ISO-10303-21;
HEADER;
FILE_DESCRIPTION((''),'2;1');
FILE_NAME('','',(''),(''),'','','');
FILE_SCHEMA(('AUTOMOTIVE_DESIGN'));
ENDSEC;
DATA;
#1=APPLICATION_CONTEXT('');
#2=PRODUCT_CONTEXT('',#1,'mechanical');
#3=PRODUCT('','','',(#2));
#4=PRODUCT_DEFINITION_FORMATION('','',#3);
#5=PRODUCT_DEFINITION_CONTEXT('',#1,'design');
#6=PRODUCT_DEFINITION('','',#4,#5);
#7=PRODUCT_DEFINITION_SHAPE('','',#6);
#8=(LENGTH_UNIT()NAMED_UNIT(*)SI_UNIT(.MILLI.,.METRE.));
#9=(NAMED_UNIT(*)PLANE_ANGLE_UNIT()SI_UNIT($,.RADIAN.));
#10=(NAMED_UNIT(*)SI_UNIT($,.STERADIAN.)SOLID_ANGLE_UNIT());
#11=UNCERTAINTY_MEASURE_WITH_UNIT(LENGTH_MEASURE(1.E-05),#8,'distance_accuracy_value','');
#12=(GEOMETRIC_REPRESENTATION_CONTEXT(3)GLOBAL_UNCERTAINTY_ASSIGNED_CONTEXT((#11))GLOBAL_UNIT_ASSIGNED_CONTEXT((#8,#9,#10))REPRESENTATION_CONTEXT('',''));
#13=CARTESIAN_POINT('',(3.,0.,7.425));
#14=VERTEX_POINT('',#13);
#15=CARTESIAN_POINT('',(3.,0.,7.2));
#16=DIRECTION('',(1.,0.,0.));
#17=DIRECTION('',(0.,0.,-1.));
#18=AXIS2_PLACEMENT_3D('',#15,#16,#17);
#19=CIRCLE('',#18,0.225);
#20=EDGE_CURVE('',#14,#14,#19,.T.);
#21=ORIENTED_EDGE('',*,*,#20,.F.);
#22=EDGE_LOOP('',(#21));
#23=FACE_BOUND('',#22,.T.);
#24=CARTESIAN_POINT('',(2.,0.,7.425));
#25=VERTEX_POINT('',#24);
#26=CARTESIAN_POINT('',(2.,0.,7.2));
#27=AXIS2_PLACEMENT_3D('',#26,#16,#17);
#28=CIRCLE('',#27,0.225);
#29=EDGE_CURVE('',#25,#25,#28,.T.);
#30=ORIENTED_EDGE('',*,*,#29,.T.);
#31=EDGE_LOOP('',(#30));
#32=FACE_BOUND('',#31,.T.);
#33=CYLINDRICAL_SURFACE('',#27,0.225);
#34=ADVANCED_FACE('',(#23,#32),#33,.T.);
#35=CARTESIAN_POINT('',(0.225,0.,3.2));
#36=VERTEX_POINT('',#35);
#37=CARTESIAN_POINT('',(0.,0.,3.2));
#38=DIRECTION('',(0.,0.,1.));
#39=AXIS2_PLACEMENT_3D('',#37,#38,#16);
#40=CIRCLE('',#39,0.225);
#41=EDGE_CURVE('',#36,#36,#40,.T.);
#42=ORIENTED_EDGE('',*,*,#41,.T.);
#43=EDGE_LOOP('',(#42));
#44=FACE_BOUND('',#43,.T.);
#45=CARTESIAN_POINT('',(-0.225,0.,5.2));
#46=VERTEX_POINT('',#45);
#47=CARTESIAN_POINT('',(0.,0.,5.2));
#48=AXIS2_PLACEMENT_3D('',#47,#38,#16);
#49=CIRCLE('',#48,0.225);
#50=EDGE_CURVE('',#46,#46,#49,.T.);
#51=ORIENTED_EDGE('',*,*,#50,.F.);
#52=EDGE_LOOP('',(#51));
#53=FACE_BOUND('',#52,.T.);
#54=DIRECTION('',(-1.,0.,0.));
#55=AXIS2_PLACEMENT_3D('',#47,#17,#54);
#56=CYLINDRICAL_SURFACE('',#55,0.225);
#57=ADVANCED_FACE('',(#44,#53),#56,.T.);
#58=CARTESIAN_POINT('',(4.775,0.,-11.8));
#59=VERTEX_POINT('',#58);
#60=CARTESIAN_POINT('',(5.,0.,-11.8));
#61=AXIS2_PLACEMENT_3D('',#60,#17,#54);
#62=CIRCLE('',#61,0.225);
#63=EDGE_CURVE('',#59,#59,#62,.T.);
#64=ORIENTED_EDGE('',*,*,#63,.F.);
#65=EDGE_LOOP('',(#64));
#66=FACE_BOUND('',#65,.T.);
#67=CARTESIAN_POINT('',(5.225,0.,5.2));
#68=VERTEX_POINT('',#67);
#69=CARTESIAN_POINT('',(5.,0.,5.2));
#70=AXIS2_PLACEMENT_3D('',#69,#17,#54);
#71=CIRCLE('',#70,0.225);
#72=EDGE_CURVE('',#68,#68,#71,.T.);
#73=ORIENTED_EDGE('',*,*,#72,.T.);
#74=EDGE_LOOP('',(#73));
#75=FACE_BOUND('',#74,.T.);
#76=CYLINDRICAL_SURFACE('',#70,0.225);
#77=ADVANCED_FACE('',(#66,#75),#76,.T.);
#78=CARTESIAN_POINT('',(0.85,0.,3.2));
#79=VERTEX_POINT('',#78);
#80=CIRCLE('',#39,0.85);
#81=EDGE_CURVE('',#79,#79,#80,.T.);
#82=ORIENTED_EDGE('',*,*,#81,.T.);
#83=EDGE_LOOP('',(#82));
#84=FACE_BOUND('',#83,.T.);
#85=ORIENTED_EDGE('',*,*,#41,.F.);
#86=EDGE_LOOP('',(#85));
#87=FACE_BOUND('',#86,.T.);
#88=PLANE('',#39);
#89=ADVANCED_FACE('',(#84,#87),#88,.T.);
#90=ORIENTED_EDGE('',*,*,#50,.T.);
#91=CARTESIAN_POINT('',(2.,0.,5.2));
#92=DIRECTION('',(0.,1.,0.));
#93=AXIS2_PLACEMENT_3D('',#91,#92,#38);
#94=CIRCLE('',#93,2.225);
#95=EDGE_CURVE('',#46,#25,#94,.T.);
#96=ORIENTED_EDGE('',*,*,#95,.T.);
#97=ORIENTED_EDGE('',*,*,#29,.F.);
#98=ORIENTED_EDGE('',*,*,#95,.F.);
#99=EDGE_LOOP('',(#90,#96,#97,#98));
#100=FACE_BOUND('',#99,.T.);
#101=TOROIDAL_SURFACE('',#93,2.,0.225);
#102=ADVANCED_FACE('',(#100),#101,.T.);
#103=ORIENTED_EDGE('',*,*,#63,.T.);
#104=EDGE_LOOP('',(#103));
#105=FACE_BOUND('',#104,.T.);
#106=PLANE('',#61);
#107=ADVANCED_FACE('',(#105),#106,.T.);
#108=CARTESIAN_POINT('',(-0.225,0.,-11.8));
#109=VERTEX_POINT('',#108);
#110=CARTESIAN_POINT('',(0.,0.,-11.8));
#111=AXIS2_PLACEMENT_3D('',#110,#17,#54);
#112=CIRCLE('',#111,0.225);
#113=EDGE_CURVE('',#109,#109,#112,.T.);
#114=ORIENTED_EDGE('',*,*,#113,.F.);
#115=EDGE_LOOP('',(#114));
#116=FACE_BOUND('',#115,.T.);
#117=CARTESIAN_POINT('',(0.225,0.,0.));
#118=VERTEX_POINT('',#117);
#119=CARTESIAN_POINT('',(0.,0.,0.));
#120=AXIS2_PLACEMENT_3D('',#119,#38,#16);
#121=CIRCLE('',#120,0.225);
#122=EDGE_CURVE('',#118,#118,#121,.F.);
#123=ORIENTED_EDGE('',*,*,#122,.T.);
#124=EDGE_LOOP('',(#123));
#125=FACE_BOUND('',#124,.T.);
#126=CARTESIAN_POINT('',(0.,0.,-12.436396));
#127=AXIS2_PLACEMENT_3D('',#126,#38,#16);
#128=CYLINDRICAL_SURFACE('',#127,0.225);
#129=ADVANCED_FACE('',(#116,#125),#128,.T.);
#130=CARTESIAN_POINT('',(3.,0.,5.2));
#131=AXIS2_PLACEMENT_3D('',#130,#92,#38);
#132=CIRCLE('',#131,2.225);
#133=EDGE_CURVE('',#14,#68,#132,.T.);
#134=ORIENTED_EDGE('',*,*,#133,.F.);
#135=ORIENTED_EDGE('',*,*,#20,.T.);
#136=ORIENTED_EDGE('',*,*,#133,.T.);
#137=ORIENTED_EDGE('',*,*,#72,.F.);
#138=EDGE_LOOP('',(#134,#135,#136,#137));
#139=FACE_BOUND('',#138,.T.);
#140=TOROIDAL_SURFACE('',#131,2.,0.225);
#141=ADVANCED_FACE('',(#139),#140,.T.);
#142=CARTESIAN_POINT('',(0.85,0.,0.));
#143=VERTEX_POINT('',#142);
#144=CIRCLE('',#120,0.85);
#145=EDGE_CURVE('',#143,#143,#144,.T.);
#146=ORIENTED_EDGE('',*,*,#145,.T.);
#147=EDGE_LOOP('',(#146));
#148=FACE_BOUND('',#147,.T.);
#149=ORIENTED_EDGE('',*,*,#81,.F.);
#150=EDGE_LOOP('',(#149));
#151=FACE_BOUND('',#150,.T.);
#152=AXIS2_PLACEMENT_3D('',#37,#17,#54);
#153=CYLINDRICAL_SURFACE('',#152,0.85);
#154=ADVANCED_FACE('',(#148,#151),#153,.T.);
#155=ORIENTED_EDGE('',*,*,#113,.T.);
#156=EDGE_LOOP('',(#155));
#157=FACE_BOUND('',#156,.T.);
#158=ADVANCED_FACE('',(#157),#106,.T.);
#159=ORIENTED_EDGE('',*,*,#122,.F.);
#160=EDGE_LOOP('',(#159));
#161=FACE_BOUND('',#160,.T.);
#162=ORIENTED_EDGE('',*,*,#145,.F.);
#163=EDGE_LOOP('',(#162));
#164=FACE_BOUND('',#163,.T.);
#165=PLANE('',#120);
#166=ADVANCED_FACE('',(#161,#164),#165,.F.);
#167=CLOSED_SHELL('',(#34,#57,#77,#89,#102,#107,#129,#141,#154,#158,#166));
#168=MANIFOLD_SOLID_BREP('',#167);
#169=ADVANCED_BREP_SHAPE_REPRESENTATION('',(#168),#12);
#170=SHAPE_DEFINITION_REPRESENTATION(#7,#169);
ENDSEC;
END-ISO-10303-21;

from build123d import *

# Parameters (mm, degrees)
SKETCH2_R           = 0.85
RESISTOR_BODY_DEPTH = 3.2
LEAD1_PROFILE_R     = 0.225
SKETCH6_R           = 0.225
LEAD2_DEPTH         = 11.8


with BuildPart() as part:
    # Sketch2 → Resistor Body (new body)
    with BuildSketch(Plane.XY):
        Circle(SKETCH2_R)
    extrude(amount=RESISTOR_BODY_DEPTH)

    # Lead1: sweep along a path in Lead1 Path
    with BuildLine(Plane.XZ) as lead1_path:
        Line((0, 3.2), (0, 5.2))
        ThreePointArc((0, 5.2), (0.585786438, 6.614213562), (2, 7.2))
        Line((2, 7.2), (3, 7.2))
        ThreePointArc((3, 7.2), (4.414213562, 6.614213562), (5, 5.2))
        Line((5, 5.2), (5, -11.8))
    # Lead1 Profile → Lead1 (sweep)
    with BuildSketch(Plane(origin=(0, 0, 3.2), x_dir=(-1, 0, 0), z_dir=(0, 0, 1))):
        Circle(LEAD1_PROFILE_R)
    sweep(path=lead1_path.line)

    # Sketch6 → Lead2 (add)
    with BuildSketch(Plane(origin=(0, 0, 0), x_dir=(1, 0, 0), z_dir=(0, 0, -1))):
        Circle(SKETCH6_R)
    extrude(amount=LEAD2_DEPTH)


solid = part.part
